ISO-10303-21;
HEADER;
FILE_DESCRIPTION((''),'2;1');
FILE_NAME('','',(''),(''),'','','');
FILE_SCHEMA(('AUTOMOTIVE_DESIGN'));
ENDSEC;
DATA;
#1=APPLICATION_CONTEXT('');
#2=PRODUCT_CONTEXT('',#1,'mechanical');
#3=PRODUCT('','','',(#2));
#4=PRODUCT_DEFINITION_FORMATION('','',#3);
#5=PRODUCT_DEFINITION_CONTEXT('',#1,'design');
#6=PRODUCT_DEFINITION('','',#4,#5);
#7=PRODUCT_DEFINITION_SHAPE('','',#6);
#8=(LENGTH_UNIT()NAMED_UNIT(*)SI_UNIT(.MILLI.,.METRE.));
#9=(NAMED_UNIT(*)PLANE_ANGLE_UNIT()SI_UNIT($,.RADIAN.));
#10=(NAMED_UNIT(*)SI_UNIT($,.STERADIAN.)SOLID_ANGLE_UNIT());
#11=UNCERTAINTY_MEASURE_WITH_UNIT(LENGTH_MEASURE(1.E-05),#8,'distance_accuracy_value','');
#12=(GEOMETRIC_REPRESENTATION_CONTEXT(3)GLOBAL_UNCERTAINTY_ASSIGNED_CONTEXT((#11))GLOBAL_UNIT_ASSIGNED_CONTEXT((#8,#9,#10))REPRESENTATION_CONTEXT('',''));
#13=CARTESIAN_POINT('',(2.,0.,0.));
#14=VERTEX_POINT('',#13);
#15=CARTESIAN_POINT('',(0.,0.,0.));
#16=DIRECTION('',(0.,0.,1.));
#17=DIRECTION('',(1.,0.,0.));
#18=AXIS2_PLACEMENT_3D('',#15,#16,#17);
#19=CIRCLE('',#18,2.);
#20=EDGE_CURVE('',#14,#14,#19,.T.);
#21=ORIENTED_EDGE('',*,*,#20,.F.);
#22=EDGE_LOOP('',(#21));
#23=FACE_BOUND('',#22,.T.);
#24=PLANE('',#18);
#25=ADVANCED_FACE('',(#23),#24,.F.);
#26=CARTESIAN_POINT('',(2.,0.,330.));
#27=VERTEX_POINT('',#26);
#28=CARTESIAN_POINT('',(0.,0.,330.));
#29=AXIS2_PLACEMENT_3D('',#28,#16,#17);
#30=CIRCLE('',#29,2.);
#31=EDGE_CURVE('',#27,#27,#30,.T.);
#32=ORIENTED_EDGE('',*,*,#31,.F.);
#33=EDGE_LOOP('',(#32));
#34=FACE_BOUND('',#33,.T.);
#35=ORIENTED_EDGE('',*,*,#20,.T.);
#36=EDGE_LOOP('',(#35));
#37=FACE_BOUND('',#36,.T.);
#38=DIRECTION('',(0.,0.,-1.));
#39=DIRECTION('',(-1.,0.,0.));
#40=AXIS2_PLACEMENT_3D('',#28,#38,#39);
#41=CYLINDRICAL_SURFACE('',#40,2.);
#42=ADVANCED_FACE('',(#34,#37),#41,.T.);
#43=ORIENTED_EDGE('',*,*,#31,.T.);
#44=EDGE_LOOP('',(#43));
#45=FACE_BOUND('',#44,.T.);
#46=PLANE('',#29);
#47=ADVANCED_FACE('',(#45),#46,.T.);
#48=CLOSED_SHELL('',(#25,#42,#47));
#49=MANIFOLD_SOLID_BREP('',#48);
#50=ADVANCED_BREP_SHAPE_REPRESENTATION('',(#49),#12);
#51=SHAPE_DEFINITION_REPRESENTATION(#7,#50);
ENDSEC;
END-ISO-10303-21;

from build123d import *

# Parameters (mm, degrees)
SKETCH1_R           = 2
BOSS_EXTRUDE1_DEPTH = 330


with BuildPart() as part:
    # Sketch1 → Boss-Extrude1 (new body)
    with BuildSketch(Plane.XY):
        Circle(SKETCH1_R)
    extrude(amount=BOSS_EXTRUDE1_DEPTH)


solid = part.part
